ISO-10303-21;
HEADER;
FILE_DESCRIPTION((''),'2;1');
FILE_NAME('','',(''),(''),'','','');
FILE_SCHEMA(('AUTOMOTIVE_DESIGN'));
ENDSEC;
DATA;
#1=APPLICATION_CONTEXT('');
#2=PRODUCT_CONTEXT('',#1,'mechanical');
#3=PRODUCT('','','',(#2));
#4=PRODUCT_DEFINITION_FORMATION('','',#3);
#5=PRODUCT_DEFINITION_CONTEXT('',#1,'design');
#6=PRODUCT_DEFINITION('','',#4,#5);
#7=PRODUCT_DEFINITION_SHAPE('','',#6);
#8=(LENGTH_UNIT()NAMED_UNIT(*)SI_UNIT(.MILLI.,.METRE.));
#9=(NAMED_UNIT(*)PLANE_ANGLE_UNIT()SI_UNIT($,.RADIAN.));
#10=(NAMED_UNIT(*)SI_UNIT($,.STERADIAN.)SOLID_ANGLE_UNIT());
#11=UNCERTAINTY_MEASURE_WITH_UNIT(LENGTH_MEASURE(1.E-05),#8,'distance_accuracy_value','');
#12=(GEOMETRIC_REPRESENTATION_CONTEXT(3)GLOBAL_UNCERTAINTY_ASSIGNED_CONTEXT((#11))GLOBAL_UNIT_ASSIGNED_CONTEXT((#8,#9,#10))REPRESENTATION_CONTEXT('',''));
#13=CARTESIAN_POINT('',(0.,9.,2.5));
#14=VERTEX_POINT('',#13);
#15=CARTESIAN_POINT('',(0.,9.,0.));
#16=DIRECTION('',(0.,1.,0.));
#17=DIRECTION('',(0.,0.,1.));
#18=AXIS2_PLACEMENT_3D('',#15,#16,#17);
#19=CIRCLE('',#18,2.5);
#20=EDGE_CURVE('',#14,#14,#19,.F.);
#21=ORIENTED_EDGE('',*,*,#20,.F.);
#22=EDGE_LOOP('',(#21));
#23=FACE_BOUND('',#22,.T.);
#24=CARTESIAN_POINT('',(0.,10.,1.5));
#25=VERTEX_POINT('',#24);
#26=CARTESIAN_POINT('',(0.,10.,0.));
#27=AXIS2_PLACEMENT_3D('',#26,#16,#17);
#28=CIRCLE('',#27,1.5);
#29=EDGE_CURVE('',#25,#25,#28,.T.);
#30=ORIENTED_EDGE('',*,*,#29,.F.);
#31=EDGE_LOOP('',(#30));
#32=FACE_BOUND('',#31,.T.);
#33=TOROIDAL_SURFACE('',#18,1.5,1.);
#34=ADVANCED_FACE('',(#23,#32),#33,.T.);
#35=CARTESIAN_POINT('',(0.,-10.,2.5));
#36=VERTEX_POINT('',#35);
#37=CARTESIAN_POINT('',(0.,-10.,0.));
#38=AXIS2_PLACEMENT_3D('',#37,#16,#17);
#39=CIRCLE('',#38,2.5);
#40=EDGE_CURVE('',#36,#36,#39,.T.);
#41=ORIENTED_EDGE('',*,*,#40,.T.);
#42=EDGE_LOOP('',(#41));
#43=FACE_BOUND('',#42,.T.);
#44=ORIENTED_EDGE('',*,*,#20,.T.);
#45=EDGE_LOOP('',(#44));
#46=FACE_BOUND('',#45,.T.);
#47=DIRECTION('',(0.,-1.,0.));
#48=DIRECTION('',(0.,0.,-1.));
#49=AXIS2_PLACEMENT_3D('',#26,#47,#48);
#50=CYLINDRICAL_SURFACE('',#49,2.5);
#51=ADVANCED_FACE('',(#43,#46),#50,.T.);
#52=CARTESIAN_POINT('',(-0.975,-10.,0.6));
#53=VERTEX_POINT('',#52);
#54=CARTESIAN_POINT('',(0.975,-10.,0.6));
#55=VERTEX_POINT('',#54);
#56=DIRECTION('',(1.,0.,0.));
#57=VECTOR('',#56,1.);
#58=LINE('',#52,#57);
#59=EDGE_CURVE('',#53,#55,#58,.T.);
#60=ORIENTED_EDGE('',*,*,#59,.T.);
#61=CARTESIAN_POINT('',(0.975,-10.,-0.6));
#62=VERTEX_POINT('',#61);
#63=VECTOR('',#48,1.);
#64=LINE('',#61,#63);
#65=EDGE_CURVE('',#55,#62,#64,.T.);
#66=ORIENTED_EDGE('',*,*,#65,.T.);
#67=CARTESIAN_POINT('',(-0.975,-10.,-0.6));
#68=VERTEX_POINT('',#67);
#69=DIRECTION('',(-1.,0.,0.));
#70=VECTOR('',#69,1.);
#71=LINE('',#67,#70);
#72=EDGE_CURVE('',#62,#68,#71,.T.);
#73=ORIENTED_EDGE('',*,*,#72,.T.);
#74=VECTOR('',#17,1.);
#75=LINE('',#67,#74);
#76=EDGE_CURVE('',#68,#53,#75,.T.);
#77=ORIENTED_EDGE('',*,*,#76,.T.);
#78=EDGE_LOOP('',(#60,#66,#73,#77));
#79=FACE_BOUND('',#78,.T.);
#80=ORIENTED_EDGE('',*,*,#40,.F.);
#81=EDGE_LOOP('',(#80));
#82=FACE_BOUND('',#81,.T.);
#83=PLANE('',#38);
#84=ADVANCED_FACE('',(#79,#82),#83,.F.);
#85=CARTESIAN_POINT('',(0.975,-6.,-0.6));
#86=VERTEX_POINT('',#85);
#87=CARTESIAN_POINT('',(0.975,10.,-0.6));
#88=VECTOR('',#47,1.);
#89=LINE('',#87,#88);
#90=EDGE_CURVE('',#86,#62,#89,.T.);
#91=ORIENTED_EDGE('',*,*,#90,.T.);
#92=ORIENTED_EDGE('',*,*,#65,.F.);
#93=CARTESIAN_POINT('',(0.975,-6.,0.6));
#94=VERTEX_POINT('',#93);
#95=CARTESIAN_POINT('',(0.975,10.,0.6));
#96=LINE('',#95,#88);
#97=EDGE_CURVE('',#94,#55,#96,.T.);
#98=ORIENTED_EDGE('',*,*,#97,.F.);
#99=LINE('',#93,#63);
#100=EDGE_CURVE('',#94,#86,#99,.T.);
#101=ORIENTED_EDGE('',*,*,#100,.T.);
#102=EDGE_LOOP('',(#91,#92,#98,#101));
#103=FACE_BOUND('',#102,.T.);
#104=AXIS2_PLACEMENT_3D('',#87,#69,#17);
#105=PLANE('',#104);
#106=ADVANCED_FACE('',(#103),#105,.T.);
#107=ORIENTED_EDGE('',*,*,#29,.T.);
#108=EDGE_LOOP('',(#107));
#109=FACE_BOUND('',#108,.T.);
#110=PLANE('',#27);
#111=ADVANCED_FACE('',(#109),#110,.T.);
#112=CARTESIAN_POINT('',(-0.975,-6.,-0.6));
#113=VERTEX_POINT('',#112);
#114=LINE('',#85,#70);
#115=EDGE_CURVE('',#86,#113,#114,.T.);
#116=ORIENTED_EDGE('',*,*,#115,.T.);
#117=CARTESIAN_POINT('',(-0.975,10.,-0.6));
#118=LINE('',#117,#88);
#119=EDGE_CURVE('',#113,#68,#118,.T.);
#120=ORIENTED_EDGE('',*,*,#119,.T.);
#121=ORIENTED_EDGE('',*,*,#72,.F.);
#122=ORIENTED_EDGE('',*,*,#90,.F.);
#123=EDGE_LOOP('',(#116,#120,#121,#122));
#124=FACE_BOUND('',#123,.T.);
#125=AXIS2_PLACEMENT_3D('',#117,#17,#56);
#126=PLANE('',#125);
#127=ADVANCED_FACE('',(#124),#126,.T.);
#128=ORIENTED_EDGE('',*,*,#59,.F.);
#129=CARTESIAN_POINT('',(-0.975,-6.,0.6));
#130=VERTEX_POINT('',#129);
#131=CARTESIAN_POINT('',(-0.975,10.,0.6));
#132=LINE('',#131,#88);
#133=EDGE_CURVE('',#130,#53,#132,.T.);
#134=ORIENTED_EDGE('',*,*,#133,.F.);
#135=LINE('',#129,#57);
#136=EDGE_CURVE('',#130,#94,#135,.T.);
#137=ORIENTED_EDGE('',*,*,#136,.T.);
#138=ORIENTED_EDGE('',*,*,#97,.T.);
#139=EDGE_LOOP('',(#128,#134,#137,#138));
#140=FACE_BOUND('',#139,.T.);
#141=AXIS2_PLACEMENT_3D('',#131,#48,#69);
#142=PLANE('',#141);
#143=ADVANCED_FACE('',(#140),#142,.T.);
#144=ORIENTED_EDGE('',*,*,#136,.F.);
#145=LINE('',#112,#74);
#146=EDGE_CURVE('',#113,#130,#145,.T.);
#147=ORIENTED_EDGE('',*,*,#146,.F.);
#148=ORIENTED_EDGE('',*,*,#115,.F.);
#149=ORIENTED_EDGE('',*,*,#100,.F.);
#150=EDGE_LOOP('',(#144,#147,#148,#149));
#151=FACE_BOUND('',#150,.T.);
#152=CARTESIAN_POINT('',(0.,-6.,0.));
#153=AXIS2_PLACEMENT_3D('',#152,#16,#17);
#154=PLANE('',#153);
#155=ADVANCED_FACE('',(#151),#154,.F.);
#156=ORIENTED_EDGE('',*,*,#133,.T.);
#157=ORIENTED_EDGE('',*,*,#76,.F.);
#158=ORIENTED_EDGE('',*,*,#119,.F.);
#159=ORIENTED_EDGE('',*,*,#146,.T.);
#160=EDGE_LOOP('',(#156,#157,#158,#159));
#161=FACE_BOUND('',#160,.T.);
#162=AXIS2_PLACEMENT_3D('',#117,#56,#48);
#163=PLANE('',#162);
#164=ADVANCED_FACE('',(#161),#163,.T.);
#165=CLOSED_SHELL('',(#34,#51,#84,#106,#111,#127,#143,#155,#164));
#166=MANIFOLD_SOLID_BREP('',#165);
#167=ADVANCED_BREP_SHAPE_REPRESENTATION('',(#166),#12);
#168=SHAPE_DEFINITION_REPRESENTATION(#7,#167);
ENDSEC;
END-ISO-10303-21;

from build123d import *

# Parameters (mm, degrees)
SKETCH2_R           = 2.5
SKETCH2_W           = 1.95
SKETCH2_H           = 1.2
BOSS_EXTRUDE1_DEPTH = 10
FILLET1_R           = 1
SKETCH3_W           = 1.95
SKETCH3_H           = 1.2
BOSS_EXTRUDE5_DEPTH = 16


with BuildPart() as part:
    # Sketch2 → Boss-Extrude1 (new body, symmetric)
    with BuildSketch(Plane(origin=(0, 0, 0), x_dir=(1, 0, 0), z_dir=(0, 1, 0))):
        Circle(SKETCH2_R)
        Rectangle(SKETCH2_W, SKETCH2_H, mode=Mode.SUBTRACT)
    extrude(amount=BOSS_EXTRUDE1_DEPTH, both=True)

    # Fillet1
    fillet1_edges = [part.edges().sort_by_distance(p)[0] for p in [
        (-2.5, 10, 0),
    ]]
    fillet(fillet1_edges, radius=FILLET1_R)

    # Sketch3 → Boss-Extrude5 (add)
    with BuildSketch(Plane(origin=(0, 10, 0), x_dir=(1, 0, 0), z_dir=(0, 1, 0))):
        Rectangle(SKETCH3_W, SKETCH3_H)
    extrude(amount=-BOSS_EXTRUDE5_DEPTH)


solid = part.part
